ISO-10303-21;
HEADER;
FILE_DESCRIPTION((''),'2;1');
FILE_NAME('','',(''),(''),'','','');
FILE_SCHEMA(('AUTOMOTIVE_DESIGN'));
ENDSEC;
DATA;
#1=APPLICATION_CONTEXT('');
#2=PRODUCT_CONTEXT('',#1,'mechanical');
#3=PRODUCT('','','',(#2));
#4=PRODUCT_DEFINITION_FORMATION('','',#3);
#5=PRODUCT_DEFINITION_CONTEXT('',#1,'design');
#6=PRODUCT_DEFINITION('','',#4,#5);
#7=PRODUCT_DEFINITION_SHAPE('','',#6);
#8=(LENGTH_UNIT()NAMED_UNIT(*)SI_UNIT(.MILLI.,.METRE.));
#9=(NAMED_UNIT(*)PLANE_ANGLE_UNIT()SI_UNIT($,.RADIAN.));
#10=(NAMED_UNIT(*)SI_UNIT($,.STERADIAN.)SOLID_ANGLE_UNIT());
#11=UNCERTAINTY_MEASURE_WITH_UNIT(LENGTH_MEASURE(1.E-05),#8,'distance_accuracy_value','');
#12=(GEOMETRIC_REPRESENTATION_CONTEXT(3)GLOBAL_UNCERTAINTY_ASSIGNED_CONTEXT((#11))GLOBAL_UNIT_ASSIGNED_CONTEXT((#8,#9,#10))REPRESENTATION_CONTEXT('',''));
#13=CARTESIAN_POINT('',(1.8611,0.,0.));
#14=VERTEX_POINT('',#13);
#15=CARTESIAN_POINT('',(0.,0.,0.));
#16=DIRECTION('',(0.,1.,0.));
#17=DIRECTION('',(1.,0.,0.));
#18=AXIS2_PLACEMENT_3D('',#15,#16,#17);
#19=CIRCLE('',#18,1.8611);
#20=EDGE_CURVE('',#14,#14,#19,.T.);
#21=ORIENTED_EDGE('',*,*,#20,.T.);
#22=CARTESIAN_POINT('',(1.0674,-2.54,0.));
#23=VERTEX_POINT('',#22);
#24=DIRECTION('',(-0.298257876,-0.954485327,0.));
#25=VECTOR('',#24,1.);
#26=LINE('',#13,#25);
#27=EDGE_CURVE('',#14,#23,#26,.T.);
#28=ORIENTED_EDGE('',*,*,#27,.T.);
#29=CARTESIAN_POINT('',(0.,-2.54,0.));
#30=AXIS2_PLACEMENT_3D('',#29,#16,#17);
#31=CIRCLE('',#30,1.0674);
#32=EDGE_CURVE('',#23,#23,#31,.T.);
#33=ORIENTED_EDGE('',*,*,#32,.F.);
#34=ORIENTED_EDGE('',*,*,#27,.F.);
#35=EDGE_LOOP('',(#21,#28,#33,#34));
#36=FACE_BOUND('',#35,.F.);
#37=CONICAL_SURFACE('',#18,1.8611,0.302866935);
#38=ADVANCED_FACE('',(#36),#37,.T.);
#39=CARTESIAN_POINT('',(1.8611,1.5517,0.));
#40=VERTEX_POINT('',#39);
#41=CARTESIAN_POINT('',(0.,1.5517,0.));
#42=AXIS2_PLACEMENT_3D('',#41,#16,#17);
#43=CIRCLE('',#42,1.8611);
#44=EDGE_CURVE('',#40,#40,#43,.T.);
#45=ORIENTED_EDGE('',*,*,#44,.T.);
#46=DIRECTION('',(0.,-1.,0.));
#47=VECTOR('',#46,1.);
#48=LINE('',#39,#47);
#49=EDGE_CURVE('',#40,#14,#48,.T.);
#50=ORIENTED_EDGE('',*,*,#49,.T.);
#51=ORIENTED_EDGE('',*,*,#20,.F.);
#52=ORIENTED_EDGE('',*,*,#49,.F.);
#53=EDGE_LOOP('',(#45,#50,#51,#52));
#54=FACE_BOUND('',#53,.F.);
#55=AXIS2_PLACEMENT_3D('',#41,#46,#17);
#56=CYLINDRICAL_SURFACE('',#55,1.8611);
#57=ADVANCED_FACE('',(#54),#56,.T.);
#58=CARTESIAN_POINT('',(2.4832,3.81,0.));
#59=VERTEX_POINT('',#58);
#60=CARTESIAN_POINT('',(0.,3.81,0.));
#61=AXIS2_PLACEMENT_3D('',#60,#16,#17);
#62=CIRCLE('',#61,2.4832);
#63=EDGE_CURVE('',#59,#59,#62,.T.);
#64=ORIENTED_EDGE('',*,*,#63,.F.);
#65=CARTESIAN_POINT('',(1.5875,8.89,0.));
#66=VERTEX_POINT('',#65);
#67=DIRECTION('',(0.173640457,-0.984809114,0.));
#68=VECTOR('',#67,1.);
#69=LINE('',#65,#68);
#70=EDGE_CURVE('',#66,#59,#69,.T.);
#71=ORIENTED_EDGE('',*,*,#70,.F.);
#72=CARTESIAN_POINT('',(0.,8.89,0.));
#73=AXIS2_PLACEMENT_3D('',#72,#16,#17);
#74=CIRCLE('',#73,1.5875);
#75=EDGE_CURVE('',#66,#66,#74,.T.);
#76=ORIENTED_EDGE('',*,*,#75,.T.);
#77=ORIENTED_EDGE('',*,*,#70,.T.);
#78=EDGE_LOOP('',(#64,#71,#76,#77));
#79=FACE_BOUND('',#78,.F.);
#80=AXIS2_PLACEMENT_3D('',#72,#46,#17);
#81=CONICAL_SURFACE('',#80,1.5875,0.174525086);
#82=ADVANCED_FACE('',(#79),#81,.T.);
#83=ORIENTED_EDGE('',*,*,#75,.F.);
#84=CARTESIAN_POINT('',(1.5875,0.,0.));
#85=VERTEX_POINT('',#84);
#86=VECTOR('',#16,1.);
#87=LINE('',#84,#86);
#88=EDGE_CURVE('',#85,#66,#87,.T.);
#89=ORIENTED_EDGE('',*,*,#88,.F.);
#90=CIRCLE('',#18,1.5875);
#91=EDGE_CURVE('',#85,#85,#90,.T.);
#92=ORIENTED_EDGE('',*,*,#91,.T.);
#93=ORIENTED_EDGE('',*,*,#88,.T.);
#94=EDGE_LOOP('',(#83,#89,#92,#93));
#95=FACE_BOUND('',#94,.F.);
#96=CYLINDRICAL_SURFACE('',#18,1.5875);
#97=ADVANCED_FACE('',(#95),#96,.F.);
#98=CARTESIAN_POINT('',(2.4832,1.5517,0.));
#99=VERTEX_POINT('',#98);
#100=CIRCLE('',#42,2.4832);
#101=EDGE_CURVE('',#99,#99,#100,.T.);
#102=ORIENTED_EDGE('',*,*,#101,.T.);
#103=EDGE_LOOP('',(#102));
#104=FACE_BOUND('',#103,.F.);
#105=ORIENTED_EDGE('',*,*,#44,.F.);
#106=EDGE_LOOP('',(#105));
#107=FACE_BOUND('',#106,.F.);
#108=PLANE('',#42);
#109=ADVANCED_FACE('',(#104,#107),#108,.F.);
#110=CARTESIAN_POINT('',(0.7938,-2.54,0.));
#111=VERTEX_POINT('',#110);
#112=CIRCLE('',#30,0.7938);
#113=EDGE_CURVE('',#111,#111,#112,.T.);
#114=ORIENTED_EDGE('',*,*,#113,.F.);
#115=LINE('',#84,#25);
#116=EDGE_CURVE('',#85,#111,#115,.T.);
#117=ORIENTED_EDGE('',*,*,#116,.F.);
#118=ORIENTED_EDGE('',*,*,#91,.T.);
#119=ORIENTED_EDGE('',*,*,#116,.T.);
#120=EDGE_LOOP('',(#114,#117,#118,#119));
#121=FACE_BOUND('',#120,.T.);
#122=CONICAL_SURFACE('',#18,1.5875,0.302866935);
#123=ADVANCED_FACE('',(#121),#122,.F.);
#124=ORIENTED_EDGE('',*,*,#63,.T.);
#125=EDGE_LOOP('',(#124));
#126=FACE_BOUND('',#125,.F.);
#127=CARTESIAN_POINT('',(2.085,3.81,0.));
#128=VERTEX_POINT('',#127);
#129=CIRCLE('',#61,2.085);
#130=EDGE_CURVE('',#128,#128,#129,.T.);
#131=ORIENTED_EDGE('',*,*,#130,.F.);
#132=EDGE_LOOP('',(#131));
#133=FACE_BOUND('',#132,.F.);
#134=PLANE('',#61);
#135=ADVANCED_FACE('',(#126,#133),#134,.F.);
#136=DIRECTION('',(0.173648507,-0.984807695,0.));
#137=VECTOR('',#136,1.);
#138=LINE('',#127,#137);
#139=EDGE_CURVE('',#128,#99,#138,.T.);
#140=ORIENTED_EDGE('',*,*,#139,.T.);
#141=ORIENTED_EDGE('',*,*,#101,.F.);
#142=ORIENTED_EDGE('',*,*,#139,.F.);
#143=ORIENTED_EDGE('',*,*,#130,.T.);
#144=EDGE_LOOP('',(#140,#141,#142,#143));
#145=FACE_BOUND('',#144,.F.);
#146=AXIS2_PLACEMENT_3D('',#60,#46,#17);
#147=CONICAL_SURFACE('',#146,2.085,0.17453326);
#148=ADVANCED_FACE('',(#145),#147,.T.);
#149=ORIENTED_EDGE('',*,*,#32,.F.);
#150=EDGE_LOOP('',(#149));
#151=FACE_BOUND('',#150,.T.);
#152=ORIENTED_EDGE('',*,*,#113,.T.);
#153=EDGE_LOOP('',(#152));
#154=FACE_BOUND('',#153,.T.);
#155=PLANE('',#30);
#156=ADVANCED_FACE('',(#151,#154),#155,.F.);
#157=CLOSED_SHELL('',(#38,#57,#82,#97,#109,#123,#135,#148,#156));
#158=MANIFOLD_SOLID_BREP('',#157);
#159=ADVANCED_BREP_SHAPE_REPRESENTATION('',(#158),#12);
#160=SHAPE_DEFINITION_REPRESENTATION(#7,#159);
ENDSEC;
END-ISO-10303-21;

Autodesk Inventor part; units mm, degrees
ref_plane "YZ Plane" through (0, 0, 0) normal (1, 0, 0) x (0, 1, 0)
ref_plane "XZ Plane" through (0, 0, 0) normal (0, 1, 0) x (-1, 0, 0)
ref_plane "XY Plane" through (0, 0, 0) normal (0, 0, 1) x (1, 0, 0)
sketch "Sketch1" plane through (0, 0, 0) normal (0, 0, 1) x (1, 0, 0)
  line L0 (1.5875, 0) -> (1.5875, 8.89)
  line L1 (1.5875, 8.89) -> (2.4832, 3.81)
  line L2 (1.5875, 8.89) -> (6.7459, 8.89) construction
  line L3 (2.4832, 3.81) -> (2.085, 3.81)
  line L4 (2.085, 3.81) -> (2.4832, 1.5517)
  line L5 (2.4832, 1.5517) -> (1.8611, 1.5517)
  line L6 (1.8611, 1.5517) -> (1.8611, 0)
  line L7 (1.8611, 0) -> (1.5875, 0)
  line L8 (0, -4.826) -> (0, 11.176) projected
  line L9 (1.5875, 0) -> (1.8611, 0)
  line L10 (1.8611, 0) -> (1.8611, -2.54) construction
  line L11 (1.8611, -2.54) -> (1.5875, -2.54) construction
  line L12 (1.5875, -2.54) -> (1.5875, 0) construction
  line L13 (1.5875, 0) -> (0.7938, -2.54)
  line L14 (0.7938, -2.54) -> (1.5875, -2.54) construction
  line L15 (1.8611, 0) -> (1.0674, -2.54)
  line L16 (0.7938, -2.54) -> (1.0674, -2.54)
  point P0 (0, 0)
  point P1 (2.1722, 1.5517)
  dimension "d1" = 1.5875
  dimension "d3" = 0
  dimension "d4" = 80
  dimension "d5" = 0.3982
  dimension "d6" = 2.2583
  dimension "d7" = 1.5517
  dimension "d8" = 1.8611
  dimension "d10" = 8.89
  dimension "d11" = 2.54
  dimension "d12" = 0.2736
  dimension "d13" = 0.7937
  dimension "d14" = 162.646
revolve "Revolution2" add sketch "Sketch1" angle 360 about axis through (0, -10, 0) along (0, 1, 0)
properties part number "eigthinch"
